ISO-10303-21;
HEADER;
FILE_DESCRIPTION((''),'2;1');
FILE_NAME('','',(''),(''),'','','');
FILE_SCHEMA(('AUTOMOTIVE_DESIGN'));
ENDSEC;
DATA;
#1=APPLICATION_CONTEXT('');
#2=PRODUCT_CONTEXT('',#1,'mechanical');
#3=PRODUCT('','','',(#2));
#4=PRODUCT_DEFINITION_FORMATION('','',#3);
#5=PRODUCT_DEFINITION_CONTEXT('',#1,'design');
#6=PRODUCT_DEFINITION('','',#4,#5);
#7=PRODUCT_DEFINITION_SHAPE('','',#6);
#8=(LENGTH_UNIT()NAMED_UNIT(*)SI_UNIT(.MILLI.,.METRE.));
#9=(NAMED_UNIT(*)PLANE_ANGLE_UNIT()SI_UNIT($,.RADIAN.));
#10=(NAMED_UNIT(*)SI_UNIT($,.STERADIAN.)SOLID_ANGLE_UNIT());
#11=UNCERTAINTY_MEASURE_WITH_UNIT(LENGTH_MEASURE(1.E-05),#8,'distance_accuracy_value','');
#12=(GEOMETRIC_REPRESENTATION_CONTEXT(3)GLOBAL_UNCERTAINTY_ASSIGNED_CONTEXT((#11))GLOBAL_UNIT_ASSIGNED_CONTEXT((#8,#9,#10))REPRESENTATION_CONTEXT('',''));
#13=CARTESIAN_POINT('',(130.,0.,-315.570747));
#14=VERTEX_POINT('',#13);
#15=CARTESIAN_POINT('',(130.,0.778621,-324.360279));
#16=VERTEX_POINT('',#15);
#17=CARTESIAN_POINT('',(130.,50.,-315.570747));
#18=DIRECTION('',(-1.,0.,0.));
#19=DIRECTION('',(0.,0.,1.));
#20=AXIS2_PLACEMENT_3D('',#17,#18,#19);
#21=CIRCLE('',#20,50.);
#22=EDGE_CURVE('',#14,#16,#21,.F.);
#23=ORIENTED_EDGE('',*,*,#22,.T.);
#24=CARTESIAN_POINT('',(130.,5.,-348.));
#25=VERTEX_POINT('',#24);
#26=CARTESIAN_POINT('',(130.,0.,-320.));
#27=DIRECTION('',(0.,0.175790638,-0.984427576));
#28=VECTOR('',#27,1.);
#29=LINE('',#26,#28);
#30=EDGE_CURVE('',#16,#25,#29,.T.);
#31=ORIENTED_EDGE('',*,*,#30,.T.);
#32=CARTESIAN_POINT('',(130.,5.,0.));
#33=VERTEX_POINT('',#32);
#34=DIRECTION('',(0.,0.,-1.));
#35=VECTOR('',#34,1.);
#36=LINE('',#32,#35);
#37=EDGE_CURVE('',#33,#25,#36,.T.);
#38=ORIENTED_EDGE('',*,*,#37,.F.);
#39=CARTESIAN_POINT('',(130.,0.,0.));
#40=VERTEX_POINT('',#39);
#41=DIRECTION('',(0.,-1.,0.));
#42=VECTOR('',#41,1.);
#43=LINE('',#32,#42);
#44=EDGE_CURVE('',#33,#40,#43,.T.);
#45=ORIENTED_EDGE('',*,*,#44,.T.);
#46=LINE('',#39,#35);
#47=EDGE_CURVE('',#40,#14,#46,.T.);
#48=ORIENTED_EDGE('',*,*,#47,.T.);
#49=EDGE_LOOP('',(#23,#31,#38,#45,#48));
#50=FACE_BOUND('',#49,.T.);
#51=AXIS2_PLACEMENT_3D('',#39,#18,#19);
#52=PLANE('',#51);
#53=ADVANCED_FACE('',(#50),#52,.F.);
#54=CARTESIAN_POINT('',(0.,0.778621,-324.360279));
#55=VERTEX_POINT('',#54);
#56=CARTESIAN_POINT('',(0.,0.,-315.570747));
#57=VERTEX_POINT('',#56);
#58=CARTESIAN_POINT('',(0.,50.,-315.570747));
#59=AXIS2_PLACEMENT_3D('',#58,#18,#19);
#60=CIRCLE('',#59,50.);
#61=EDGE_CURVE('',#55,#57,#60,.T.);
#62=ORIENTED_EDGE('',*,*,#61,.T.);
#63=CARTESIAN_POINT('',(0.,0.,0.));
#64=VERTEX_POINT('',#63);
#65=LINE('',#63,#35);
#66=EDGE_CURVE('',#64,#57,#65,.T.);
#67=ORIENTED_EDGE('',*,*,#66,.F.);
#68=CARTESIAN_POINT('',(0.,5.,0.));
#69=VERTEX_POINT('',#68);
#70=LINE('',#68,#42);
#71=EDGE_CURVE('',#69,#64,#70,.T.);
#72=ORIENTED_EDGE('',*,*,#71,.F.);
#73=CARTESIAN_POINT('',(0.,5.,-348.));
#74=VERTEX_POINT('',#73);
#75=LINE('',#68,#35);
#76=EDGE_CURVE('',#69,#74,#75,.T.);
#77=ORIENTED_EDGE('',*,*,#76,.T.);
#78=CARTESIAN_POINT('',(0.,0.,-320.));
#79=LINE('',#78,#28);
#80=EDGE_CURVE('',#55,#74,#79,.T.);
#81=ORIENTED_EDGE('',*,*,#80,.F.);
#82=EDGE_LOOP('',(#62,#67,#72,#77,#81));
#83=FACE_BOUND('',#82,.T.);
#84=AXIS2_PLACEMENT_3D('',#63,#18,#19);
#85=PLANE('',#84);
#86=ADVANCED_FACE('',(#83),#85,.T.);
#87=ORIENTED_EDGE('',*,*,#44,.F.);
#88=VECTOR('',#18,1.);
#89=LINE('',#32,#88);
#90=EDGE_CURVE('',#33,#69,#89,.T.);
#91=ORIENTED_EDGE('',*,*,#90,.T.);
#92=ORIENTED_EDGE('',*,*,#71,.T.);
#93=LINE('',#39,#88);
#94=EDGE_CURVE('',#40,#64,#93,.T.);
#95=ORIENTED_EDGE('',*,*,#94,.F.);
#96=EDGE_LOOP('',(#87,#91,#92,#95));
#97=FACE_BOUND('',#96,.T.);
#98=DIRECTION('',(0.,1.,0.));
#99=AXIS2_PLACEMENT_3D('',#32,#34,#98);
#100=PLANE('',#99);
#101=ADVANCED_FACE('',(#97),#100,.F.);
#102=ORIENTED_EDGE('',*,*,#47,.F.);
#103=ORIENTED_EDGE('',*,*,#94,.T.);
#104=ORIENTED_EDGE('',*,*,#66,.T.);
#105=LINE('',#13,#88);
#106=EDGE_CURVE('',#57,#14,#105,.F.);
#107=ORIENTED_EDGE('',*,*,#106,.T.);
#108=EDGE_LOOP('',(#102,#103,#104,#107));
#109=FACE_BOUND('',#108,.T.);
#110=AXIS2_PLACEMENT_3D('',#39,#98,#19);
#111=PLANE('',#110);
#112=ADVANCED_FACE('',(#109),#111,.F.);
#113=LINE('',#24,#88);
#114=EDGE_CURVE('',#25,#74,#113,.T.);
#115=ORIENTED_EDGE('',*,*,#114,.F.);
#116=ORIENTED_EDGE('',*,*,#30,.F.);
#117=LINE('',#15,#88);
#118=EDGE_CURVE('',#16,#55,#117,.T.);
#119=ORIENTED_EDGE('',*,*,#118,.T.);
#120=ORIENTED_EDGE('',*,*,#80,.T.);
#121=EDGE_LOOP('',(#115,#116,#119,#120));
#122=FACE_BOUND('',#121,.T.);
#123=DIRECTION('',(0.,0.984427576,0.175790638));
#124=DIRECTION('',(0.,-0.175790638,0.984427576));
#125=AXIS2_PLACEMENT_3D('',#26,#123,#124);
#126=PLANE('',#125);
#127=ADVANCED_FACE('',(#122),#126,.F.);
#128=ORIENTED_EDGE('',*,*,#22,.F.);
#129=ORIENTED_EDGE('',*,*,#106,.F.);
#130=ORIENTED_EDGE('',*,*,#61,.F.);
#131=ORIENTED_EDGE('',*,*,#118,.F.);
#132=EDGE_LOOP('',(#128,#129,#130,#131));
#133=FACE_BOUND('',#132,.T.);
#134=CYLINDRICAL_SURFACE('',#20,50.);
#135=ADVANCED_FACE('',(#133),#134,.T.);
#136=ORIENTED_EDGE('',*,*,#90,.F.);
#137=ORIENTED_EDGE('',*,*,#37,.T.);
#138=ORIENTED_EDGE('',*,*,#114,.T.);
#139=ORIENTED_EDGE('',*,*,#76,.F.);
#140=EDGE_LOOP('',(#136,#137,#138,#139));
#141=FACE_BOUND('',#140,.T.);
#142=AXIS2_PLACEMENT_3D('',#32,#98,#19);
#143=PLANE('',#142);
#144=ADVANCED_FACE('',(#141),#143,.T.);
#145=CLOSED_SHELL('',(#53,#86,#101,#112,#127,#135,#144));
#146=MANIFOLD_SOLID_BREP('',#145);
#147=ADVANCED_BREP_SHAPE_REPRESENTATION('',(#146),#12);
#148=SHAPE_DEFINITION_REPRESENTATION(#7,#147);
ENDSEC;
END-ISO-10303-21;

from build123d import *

# Parameters (mm, degrees)
BOSS_EXTRUDE1_DEPTH = 130
FILLET1_R           = 50


with BuildPart() as part:
    # Sketch1 → Boss-Extrude1 (new body)
    with BuildSketch(Plane(origin=(0, 0, 0), x_dir=(0, 0, -1), z_dir=(1, 0, 0))):
        Polygon((0, 5), (0, 0), (320, 0), (348, 5), align=None)
    extrude(amount=BOSS_EXTRUDE1_DEPTH)

    # Fillet1
    fillet1_edges = [part.edges().sort_by_distance(p)[0] for p in [
        (65, 0, -320),
    ]]
    fillet(fillet1_edges, radius=FILLET1_R)


solid = part.part
